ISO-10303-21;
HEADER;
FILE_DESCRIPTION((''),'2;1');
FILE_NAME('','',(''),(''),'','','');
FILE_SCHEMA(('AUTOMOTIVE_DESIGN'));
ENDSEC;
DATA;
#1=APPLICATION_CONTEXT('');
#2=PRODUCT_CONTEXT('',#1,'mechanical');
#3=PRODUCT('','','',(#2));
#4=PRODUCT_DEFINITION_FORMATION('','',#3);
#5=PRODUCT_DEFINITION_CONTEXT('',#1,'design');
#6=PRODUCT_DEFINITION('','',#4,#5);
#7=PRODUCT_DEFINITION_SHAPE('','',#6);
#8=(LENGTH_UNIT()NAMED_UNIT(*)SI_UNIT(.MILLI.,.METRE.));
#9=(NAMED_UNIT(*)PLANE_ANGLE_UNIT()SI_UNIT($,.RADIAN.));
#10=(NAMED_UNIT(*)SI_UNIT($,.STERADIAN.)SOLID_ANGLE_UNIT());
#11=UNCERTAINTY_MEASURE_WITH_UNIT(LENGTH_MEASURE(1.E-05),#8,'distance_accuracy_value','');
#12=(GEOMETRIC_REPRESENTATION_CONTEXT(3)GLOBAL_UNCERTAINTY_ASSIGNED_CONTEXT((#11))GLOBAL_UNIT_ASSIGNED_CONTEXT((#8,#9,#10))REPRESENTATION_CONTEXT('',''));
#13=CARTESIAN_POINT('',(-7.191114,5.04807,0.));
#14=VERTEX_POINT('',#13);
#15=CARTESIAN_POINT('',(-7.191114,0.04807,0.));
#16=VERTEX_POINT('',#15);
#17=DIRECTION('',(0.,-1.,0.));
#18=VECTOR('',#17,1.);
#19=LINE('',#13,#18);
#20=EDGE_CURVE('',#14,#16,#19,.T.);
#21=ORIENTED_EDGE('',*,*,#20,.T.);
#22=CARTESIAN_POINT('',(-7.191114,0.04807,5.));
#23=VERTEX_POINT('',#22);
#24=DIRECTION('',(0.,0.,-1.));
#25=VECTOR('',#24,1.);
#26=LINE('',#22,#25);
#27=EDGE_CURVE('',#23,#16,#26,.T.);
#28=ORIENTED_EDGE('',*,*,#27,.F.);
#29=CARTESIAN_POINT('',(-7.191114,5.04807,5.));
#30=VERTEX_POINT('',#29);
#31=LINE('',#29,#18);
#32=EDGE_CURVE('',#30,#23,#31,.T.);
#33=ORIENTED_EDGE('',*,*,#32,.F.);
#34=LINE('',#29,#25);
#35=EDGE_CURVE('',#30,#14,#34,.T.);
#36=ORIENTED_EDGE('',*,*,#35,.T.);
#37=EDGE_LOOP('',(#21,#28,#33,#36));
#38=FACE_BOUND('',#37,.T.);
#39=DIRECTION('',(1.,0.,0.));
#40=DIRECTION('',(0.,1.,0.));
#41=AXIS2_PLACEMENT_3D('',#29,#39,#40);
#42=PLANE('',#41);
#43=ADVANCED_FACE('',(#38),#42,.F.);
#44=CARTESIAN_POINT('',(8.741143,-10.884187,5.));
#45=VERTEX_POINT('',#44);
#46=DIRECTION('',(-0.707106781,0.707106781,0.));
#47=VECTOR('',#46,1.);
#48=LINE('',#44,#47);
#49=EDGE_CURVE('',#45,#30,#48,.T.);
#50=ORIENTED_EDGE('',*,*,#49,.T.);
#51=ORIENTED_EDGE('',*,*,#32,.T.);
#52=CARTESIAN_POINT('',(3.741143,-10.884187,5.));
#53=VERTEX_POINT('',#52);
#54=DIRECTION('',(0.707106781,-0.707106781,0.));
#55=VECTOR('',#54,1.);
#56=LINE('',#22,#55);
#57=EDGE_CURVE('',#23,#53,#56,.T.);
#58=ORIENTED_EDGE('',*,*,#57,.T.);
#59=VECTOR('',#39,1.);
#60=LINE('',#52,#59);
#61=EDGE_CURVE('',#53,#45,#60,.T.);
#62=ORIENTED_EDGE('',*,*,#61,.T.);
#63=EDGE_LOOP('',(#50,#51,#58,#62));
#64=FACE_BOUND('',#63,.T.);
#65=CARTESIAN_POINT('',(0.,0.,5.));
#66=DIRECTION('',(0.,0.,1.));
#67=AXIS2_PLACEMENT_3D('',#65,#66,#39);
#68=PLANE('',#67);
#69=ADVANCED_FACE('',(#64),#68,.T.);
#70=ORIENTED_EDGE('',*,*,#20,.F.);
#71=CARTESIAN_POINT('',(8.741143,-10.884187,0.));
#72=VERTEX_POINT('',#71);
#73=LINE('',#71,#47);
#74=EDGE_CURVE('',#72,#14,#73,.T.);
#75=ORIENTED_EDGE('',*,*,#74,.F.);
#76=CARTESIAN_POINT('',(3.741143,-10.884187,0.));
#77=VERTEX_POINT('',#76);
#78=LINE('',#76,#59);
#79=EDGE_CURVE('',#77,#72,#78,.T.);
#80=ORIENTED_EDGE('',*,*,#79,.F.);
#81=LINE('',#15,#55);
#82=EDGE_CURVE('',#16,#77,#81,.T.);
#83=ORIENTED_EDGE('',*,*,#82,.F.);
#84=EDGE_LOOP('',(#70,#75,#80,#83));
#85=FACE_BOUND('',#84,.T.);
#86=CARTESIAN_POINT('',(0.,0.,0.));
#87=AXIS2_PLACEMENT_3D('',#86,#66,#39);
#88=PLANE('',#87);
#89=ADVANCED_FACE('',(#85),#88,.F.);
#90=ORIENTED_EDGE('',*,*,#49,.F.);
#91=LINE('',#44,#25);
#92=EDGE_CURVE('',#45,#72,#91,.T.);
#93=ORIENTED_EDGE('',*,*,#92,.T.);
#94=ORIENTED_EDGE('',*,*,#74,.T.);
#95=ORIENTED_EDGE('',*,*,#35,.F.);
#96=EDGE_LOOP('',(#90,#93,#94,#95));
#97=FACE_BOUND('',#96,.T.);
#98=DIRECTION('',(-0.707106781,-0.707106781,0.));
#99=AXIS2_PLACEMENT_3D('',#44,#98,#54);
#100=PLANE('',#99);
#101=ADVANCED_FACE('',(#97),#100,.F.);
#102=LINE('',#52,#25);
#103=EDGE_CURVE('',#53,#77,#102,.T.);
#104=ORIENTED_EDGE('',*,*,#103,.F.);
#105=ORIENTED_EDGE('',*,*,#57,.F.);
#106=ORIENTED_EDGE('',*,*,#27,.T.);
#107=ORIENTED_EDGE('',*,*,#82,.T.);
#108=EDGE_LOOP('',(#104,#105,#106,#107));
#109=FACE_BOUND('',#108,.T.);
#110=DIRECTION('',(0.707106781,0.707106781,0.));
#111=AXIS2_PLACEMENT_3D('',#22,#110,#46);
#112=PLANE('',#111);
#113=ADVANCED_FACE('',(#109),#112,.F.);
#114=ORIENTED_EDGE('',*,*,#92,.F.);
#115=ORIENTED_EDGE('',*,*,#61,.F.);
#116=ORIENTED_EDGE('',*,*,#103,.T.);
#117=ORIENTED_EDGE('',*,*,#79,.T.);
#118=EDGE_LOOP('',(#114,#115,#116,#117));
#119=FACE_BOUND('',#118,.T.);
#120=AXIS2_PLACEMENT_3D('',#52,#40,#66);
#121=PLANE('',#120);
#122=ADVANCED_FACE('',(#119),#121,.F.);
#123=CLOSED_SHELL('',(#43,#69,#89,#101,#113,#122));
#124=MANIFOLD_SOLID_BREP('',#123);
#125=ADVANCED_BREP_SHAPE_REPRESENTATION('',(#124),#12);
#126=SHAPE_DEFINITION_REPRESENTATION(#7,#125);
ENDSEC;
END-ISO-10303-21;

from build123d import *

# Parameters (mm, degrees)
BOSS_EXTRUDE1_DEPTH = 5


with BuildPart() as part:
    # Sketch1 → Boss-Extrude1 (new body)
    with BuildSketch(Plane.XY):
        Polygon((-7.191114458, 5.048070381), (-7.191114458, 0.048070381), (3.74114267, -10.884186747), (8.74114267, -10.884186747), align=None)
    extrude(amount=BOSS_EXTRUDE1_DEPTH)


solid = part.part
